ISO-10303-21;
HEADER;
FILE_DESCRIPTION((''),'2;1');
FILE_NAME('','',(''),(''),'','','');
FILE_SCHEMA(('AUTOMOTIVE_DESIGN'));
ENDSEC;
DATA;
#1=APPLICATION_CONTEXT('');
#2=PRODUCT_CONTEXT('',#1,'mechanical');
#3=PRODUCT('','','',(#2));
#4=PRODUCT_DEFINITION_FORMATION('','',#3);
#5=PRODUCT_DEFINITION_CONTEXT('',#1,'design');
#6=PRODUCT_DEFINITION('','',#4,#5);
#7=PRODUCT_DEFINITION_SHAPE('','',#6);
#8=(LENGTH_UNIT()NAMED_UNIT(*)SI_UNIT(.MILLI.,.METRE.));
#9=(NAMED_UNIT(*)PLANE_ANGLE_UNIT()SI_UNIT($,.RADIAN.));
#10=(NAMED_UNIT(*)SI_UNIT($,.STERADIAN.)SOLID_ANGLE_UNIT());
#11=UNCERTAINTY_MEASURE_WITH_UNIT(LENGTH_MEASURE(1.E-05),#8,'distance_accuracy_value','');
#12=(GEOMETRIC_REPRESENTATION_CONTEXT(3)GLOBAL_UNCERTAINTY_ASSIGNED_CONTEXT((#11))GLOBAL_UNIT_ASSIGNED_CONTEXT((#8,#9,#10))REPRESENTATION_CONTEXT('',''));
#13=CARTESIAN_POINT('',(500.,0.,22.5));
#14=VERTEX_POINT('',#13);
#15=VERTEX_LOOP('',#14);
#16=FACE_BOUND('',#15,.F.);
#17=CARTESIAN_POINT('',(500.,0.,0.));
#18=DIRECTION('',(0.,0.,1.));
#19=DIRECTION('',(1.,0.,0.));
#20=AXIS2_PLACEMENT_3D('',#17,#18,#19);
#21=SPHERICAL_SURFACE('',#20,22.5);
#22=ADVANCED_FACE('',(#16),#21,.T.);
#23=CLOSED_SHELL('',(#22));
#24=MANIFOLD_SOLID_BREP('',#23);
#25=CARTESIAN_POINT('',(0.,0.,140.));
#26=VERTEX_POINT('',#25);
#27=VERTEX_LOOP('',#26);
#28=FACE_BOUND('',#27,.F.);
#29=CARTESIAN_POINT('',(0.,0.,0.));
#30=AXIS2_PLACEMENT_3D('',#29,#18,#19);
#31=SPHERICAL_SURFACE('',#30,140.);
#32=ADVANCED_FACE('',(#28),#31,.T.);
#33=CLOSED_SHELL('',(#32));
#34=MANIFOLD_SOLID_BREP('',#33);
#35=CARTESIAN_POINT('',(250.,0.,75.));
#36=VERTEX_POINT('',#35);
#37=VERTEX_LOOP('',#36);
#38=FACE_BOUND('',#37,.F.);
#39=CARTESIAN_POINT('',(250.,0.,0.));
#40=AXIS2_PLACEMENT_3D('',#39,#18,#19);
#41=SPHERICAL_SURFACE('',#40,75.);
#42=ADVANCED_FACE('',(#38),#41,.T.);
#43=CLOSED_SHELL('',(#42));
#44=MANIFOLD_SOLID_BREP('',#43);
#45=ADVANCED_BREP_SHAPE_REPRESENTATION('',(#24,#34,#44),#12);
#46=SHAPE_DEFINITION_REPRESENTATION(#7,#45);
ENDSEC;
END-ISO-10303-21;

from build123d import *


with BuildPart() as f1:
    # F0 (on Front) → F1 (revolve)
    with BuildSketch(Plane.XZ):
        with BuildLine():
            Line((0, 140), (0, -140))
            ThreePointArc((0, -140), (140, 0), (0, 140))
        make_face()
    revolve(axis=Axis((0, 0, 0), (0, 0, -1)))


with BuildPart() as f2:
    # F0 (on Front) → F2 (revolve)
    with BuildSketch(Plane.XZ):
        with BuildLine():
            Line((250, 75), (250, -75))
            ThreePointArc((250, -75), (325, 0), (250, 75))
        make_face()
    revolve(axis=Axis((250, 0, 0), (0, 0, -1)))


with BuildPart() as f3:
    # F0 (on Front) → F3 (revolve)
    with BuildSketch(Plane.XZ):
        with BuildLine():
            Line((500, 22.5), (500, -22.5))
            ThreePointArc((500, -22.5), (522.5, 0), (500, 22.5))
        make_face()
    revolve(axis=Axis((500, 0, 0), (0, 0, -1)))


solid = Compound([f1.part, f2.part, f3.part])
